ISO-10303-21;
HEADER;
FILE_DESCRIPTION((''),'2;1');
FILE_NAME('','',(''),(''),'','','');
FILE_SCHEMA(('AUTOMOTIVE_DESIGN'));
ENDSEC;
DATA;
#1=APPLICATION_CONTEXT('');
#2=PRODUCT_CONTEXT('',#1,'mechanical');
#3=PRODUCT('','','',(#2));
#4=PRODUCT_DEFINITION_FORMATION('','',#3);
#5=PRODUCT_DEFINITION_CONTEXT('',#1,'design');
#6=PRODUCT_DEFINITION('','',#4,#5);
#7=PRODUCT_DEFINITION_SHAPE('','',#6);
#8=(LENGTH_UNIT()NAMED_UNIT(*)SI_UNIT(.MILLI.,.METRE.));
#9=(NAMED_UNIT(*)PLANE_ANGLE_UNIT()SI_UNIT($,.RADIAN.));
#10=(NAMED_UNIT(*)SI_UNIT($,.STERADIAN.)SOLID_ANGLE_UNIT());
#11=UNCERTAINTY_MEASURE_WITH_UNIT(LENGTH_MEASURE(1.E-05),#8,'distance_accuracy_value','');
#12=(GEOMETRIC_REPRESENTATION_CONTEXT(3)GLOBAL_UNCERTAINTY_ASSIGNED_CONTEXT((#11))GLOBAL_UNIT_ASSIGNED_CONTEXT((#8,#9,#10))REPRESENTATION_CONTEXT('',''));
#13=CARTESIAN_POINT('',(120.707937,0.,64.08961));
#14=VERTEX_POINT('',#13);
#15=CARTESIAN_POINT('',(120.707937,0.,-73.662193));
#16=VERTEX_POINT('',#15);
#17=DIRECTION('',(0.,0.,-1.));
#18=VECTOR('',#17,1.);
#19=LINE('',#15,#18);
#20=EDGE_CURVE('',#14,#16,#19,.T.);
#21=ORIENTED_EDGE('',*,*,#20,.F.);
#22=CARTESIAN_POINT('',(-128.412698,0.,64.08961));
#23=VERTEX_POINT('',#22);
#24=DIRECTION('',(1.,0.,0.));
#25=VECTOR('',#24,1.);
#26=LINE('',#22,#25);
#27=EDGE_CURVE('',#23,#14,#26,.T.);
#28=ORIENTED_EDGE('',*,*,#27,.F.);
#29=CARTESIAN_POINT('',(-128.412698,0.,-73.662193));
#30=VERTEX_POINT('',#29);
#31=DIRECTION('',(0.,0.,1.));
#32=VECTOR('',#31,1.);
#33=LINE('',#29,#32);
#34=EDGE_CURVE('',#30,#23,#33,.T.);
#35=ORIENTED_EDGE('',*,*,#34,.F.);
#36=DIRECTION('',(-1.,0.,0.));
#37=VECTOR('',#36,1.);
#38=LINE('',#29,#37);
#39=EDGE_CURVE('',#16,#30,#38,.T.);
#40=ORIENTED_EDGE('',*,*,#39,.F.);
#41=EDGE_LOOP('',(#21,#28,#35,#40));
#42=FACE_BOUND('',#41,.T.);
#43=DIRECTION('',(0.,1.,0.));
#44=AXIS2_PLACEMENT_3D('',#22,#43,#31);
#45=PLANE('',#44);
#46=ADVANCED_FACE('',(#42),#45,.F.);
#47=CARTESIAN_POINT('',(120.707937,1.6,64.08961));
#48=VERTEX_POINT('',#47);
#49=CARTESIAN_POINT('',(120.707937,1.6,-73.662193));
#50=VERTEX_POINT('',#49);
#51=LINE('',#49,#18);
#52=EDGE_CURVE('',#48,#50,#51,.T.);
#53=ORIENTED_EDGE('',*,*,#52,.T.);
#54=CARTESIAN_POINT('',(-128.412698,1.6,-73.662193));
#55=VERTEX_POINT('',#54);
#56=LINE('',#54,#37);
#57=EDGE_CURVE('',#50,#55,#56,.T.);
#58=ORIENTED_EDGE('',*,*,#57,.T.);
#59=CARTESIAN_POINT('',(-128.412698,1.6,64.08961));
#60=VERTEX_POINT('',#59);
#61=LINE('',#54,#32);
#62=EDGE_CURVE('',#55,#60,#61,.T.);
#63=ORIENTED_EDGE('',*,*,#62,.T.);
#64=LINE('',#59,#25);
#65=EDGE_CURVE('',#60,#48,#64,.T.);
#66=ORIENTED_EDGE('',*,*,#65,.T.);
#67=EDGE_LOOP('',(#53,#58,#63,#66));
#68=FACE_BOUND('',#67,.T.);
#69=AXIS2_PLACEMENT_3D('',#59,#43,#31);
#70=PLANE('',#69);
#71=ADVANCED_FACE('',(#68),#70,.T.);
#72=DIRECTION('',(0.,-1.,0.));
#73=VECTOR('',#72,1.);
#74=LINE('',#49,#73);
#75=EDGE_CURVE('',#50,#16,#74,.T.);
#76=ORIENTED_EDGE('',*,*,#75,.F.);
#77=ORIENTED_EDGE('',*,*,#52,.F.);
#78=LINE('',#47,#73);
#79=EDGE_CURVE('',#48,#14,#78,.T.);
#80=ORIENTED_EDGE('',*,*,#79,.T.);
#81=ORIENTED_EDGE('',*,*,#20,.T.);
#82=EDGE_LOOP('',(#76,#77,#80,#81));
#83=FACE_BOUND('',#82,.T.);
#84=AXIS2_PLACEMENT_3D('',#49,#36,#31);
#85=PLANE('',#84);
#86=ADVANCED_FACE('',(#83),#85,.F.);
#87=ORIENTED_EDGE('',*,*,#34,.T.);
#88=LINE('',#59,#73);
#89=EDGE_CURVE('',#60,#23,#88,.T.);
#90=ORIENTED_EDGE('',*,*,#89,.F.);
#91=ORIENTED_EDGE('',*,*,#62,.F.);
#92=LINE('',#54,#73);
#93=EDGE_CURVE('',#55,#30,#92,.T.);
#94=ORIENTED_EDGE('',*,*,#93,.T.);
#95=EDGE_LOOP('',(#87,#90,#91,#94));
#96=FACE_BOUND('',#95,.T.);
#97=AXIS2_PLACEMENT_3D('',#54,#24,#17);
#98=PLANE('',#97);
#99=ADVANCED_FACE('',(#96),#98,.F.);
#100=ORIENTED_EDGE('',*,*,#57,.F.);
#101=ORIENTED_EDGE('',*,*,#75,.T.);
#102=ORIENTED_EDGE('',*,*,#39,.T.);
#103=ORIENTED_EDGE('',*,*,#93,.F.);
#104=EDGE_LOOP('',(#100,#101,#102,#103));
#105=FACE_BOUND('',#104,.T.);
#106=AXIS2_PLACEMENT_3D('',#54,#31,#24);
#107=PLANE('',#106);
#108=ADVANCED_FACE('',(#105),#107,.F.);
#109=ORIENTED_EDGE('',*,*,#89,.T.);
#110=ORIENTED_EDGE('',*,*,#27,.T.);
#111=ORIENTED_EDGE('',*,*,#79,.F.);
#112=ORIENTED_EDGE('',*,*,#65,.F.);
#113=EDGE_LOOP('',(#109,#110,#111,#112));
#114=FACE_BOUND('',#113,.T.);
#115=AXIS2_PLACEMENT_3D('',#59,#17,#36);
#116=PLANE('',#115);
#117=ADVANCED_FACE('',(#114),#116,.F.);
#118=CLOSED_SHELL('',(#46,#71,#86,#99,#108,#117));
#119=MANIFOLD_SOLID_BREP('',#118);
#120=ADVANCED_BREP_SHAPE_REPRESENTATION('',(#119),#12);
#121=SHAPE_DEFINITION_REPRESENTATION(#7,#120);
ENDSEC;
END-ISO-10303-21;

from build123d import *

# Parameters (mm, degrees)
SKETCH1_W      = 249.120634921
SKETCH1_H      = 137.751803752
EXTRUDE1_DEPTH = 1.6


with BuildPart() as part:
    # Sketch1 → Extrude1 (new body)
    with BuildSketch(Plane(origin=(0, 0, 0), x_dir=(1, 0, 0), z_dir=(0, 1, 0))):
        with Locations((-3.852380953, 4.786291486)):
            Rectangle(SKETCH1_W, SKETCH1_H)
    extrude(amount=EXTRUDE1_DEPTH)


solid = part.part
